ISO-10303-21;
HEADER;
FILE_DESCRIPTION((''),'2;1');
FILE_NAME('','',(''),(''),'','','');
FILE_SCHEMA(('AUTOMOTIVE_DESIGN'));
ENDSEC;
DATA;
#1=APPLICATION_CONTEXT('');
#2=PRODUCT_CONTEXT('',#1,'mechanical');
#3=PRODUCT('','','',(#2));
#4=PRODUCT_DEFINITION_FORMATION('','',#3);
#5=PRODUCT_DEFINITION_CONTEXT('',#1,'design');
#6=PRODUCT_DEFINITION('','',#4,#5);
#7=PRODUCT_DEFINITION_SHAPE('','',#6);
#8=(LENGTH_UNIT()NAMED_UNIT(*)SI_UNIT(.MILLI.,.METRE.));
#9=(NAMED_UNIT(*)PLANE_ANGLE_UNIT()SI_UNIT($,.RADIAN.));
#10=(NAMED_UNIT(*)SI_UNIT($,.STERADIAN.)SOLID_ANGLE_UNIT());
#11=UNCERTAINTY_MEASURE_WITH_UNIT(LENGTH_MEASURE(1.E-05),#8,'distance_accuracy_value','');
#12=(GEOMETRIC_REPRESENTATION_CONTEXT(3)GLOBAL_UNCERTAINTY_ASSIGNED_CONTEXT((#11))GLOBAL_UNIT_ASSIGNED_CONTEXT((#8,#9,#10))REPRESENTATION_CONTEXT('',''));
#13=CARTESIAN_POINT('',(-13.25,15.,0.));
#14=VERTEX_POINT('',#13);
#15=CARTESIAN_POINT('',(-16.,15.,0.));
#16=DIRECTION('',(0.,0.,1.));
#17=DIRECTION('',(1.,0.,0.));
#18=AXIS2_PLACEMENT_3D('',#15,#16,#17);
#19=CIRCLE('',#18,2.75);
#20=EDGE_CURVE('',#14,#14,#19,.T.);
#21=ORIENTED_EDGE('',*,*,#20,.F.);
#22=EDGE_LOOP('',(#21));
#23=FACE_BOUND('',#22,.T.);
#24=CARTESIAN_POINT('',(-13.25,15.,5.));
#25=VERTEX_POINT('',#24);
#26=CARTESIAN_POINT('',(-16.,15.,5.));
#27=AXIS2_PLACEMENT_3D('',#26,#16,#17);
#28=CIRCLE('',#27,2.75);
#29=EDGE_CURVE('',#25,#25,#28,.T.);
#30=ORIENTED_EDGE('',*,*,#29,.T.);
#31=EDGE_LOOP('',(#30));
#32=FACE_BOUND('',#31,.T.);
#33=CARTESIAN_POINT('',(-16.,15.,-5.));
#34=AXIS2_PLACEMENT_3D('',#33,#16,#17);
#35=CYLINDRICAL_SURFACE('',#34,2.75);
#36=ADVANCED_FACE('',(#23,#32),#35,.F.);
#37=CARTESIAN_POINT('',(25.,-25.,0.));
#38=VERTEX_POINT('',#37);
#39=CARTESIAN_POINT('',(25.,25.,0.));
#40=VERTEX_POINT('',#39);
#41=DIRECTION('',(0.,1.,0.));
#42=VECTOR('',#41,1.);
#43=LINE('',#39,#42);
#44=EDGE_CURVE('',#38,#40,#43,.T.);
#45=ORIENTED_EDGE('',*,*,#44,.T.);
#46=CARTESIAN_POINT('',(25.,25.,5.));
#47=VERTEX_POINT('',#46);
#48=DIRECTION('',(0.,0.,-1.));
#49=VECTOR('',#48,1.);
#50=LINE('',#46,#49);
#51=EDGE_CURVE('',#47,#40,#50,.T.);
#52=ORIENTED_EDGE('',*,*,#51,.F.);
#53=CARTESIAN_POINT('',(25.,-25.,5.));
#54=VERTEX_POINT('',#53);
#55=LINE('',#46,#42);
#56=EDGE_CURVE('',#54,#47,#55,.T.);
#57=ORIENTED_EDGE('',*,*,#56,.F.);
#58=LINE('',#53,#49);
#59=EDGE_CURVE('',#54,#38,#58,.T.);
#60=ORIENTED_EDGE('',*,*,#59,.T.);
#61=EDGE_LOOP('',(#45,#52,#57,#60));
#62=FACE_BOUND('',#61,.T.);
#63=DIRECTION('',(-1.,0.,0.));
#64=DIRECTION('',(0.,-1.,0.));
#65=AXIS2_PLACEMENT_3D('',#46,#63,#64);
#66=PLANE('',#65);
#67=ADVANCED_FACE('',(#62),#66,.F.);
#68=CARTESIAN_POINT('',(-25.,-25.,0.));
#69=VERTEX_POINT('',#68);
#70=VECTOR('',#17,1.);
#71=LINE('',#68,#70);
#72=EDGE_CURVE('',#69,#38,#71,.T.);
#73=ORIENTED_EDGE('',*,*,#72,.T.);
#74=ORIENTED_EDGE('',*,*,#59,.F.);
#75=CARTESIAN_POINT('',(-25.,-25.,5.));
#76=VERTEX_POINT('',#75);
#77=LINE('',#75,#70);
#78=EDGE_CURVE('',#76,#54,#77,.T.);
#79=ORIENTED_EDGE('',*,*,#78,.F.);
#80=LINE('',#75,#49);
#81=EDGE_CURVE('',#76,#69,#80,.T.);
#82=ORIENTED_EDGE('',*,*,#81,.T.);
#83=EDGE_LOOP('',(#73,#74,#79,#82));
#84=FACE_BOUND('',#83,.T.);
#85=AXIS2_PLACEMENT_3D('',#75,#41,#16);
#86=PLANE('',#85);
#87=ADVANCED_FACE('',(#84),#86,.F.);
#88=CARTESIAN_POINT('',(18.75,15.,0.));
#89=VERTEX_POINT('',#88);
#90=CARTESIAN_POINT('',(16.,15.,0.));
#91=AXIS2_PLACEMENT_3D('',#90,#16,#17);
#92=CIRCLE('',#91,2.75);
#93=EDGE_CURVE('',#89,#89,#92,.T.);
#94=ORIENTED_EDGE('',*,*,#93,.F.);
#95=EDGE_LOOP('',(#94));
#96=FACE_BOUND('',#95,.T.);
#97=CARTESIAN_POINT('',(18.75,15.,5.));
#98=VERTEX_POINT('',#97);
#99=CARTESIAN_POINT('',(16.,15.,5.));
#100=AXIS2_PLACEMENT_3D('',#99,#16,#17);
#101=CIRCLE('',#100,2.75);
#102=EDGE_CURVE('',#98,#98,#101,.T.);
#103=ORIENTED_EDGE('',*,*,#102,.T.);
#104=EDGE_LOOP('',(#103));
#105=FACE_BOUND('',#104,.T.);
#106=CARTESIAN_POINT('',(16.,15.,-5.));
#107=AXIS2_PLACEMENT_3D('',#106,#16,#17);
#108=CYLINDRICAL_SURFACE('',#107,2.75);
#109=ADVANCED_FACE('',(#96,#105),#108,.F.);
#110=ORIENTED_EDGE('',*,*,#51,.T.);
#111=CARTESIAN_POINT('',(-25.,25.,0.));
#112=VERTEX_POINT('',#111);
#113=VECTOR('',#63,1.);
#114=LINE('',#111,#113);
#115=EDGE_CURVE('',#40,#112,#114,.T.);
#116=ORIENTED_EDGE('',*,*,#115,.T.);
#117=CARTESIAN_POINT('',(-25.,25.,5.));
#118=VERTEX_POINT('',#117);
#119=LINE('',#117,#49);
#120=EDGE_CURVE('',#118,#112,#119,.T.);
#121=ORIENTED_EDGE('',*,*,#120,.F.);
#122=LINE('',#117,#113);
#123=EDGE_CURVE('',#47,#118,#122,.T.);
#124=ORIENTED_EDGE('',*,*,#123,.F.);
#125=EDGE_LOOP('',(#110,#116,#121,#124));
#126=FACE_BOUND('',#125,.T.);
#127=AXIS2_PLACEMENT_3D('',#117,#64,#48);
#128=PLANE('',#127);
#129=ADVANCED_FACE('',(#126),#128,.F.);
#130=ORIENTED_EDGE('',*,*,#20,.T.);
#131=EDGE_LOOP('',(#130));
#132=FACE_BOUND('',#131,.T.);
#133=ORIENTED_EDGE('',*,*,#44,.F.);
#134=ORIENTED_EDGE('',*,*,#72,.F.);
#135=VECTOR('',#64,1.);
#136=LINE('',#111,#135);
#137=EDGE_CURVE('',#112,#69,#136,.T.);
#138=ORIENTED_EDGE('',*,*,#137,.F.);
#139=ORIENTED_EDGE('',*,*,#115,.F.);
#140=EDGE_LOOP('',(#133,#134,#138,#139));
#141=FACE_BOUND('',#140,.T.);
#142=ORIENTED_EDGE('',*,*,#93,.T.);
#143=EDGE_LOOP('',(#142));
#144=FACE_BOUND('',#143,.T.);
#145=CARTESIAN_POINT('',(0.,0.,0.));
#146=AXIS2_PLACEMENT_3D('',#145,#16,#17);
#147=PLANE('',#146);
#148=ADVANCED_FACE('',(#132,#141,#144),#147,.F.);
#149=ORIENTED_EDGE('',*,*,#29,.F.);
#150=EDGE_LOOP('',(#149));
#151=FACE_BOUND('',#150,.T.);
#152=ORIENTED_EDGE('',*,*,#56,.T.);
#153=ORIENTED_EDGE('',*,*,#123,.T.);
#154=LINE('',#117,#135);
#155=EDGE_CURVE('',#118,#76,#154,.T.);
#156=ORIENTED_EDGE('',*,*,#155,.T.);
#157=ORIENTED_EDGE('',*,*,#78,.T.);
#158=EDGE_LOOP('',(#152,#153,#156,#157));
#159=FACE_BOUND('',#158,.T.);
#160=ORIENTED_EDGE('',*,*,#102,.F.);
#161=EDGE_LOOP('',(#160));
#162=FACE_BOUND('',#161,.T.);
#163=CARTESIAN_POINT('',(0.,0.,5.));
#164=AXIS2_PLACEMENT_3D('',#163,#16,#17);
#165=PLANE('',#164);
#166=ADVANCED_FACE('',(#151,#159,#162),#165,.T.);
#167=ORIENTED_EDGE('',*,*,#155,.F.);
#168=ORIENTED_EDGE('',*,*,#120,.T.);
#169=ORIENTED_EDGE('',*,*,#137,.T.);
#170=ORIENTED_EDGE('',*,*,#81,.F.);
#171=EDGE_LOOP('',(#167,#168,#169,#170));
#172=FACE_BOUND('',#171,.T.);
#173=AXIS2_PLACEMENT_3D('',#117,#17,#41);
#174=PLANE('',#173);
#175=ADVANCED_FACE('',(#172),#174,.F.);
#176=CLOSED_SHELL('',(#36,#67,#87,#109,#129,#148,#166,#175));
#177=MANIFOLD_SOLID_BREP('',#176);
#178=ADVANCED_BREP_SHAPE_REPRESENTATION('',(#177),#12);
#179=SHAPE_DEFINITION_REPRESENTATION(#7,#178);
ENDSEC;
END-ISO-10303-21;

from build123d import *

# Parameters (mm, degrees)
SKETCH_2_W          = 50
SKETCH_2_H          = 50
EXTRUDE_1_DEPTH     = 5
SKETCH_3_R          = 2.75
CUT_EXTRUDE_1_DEPTH = 10


with BuildPart() as part:
    # 스케치2 → 보스-돌출1 (new body)
    with BuildSketch(Plane.XY):
        Rectangle(SKETCH_2_W, SKETCH_2_H)
    extrude(amount=EXTRUDE_1_DEPTH)

    # 스케치3 → 컷-돌출1 (cut)
    with BuildSketch(Plane.XY.offset(5)):
        with Locations((-16, 15)):
            Circle(SKETCH_3_R)
        with Locations((16, 15)):
            Circle(SKETCH_3_R)
    extrude(amount=-CUT_EXTRUDE_1_DEPTH, mode=Mode.SUBTRACT)


solid = part.part
